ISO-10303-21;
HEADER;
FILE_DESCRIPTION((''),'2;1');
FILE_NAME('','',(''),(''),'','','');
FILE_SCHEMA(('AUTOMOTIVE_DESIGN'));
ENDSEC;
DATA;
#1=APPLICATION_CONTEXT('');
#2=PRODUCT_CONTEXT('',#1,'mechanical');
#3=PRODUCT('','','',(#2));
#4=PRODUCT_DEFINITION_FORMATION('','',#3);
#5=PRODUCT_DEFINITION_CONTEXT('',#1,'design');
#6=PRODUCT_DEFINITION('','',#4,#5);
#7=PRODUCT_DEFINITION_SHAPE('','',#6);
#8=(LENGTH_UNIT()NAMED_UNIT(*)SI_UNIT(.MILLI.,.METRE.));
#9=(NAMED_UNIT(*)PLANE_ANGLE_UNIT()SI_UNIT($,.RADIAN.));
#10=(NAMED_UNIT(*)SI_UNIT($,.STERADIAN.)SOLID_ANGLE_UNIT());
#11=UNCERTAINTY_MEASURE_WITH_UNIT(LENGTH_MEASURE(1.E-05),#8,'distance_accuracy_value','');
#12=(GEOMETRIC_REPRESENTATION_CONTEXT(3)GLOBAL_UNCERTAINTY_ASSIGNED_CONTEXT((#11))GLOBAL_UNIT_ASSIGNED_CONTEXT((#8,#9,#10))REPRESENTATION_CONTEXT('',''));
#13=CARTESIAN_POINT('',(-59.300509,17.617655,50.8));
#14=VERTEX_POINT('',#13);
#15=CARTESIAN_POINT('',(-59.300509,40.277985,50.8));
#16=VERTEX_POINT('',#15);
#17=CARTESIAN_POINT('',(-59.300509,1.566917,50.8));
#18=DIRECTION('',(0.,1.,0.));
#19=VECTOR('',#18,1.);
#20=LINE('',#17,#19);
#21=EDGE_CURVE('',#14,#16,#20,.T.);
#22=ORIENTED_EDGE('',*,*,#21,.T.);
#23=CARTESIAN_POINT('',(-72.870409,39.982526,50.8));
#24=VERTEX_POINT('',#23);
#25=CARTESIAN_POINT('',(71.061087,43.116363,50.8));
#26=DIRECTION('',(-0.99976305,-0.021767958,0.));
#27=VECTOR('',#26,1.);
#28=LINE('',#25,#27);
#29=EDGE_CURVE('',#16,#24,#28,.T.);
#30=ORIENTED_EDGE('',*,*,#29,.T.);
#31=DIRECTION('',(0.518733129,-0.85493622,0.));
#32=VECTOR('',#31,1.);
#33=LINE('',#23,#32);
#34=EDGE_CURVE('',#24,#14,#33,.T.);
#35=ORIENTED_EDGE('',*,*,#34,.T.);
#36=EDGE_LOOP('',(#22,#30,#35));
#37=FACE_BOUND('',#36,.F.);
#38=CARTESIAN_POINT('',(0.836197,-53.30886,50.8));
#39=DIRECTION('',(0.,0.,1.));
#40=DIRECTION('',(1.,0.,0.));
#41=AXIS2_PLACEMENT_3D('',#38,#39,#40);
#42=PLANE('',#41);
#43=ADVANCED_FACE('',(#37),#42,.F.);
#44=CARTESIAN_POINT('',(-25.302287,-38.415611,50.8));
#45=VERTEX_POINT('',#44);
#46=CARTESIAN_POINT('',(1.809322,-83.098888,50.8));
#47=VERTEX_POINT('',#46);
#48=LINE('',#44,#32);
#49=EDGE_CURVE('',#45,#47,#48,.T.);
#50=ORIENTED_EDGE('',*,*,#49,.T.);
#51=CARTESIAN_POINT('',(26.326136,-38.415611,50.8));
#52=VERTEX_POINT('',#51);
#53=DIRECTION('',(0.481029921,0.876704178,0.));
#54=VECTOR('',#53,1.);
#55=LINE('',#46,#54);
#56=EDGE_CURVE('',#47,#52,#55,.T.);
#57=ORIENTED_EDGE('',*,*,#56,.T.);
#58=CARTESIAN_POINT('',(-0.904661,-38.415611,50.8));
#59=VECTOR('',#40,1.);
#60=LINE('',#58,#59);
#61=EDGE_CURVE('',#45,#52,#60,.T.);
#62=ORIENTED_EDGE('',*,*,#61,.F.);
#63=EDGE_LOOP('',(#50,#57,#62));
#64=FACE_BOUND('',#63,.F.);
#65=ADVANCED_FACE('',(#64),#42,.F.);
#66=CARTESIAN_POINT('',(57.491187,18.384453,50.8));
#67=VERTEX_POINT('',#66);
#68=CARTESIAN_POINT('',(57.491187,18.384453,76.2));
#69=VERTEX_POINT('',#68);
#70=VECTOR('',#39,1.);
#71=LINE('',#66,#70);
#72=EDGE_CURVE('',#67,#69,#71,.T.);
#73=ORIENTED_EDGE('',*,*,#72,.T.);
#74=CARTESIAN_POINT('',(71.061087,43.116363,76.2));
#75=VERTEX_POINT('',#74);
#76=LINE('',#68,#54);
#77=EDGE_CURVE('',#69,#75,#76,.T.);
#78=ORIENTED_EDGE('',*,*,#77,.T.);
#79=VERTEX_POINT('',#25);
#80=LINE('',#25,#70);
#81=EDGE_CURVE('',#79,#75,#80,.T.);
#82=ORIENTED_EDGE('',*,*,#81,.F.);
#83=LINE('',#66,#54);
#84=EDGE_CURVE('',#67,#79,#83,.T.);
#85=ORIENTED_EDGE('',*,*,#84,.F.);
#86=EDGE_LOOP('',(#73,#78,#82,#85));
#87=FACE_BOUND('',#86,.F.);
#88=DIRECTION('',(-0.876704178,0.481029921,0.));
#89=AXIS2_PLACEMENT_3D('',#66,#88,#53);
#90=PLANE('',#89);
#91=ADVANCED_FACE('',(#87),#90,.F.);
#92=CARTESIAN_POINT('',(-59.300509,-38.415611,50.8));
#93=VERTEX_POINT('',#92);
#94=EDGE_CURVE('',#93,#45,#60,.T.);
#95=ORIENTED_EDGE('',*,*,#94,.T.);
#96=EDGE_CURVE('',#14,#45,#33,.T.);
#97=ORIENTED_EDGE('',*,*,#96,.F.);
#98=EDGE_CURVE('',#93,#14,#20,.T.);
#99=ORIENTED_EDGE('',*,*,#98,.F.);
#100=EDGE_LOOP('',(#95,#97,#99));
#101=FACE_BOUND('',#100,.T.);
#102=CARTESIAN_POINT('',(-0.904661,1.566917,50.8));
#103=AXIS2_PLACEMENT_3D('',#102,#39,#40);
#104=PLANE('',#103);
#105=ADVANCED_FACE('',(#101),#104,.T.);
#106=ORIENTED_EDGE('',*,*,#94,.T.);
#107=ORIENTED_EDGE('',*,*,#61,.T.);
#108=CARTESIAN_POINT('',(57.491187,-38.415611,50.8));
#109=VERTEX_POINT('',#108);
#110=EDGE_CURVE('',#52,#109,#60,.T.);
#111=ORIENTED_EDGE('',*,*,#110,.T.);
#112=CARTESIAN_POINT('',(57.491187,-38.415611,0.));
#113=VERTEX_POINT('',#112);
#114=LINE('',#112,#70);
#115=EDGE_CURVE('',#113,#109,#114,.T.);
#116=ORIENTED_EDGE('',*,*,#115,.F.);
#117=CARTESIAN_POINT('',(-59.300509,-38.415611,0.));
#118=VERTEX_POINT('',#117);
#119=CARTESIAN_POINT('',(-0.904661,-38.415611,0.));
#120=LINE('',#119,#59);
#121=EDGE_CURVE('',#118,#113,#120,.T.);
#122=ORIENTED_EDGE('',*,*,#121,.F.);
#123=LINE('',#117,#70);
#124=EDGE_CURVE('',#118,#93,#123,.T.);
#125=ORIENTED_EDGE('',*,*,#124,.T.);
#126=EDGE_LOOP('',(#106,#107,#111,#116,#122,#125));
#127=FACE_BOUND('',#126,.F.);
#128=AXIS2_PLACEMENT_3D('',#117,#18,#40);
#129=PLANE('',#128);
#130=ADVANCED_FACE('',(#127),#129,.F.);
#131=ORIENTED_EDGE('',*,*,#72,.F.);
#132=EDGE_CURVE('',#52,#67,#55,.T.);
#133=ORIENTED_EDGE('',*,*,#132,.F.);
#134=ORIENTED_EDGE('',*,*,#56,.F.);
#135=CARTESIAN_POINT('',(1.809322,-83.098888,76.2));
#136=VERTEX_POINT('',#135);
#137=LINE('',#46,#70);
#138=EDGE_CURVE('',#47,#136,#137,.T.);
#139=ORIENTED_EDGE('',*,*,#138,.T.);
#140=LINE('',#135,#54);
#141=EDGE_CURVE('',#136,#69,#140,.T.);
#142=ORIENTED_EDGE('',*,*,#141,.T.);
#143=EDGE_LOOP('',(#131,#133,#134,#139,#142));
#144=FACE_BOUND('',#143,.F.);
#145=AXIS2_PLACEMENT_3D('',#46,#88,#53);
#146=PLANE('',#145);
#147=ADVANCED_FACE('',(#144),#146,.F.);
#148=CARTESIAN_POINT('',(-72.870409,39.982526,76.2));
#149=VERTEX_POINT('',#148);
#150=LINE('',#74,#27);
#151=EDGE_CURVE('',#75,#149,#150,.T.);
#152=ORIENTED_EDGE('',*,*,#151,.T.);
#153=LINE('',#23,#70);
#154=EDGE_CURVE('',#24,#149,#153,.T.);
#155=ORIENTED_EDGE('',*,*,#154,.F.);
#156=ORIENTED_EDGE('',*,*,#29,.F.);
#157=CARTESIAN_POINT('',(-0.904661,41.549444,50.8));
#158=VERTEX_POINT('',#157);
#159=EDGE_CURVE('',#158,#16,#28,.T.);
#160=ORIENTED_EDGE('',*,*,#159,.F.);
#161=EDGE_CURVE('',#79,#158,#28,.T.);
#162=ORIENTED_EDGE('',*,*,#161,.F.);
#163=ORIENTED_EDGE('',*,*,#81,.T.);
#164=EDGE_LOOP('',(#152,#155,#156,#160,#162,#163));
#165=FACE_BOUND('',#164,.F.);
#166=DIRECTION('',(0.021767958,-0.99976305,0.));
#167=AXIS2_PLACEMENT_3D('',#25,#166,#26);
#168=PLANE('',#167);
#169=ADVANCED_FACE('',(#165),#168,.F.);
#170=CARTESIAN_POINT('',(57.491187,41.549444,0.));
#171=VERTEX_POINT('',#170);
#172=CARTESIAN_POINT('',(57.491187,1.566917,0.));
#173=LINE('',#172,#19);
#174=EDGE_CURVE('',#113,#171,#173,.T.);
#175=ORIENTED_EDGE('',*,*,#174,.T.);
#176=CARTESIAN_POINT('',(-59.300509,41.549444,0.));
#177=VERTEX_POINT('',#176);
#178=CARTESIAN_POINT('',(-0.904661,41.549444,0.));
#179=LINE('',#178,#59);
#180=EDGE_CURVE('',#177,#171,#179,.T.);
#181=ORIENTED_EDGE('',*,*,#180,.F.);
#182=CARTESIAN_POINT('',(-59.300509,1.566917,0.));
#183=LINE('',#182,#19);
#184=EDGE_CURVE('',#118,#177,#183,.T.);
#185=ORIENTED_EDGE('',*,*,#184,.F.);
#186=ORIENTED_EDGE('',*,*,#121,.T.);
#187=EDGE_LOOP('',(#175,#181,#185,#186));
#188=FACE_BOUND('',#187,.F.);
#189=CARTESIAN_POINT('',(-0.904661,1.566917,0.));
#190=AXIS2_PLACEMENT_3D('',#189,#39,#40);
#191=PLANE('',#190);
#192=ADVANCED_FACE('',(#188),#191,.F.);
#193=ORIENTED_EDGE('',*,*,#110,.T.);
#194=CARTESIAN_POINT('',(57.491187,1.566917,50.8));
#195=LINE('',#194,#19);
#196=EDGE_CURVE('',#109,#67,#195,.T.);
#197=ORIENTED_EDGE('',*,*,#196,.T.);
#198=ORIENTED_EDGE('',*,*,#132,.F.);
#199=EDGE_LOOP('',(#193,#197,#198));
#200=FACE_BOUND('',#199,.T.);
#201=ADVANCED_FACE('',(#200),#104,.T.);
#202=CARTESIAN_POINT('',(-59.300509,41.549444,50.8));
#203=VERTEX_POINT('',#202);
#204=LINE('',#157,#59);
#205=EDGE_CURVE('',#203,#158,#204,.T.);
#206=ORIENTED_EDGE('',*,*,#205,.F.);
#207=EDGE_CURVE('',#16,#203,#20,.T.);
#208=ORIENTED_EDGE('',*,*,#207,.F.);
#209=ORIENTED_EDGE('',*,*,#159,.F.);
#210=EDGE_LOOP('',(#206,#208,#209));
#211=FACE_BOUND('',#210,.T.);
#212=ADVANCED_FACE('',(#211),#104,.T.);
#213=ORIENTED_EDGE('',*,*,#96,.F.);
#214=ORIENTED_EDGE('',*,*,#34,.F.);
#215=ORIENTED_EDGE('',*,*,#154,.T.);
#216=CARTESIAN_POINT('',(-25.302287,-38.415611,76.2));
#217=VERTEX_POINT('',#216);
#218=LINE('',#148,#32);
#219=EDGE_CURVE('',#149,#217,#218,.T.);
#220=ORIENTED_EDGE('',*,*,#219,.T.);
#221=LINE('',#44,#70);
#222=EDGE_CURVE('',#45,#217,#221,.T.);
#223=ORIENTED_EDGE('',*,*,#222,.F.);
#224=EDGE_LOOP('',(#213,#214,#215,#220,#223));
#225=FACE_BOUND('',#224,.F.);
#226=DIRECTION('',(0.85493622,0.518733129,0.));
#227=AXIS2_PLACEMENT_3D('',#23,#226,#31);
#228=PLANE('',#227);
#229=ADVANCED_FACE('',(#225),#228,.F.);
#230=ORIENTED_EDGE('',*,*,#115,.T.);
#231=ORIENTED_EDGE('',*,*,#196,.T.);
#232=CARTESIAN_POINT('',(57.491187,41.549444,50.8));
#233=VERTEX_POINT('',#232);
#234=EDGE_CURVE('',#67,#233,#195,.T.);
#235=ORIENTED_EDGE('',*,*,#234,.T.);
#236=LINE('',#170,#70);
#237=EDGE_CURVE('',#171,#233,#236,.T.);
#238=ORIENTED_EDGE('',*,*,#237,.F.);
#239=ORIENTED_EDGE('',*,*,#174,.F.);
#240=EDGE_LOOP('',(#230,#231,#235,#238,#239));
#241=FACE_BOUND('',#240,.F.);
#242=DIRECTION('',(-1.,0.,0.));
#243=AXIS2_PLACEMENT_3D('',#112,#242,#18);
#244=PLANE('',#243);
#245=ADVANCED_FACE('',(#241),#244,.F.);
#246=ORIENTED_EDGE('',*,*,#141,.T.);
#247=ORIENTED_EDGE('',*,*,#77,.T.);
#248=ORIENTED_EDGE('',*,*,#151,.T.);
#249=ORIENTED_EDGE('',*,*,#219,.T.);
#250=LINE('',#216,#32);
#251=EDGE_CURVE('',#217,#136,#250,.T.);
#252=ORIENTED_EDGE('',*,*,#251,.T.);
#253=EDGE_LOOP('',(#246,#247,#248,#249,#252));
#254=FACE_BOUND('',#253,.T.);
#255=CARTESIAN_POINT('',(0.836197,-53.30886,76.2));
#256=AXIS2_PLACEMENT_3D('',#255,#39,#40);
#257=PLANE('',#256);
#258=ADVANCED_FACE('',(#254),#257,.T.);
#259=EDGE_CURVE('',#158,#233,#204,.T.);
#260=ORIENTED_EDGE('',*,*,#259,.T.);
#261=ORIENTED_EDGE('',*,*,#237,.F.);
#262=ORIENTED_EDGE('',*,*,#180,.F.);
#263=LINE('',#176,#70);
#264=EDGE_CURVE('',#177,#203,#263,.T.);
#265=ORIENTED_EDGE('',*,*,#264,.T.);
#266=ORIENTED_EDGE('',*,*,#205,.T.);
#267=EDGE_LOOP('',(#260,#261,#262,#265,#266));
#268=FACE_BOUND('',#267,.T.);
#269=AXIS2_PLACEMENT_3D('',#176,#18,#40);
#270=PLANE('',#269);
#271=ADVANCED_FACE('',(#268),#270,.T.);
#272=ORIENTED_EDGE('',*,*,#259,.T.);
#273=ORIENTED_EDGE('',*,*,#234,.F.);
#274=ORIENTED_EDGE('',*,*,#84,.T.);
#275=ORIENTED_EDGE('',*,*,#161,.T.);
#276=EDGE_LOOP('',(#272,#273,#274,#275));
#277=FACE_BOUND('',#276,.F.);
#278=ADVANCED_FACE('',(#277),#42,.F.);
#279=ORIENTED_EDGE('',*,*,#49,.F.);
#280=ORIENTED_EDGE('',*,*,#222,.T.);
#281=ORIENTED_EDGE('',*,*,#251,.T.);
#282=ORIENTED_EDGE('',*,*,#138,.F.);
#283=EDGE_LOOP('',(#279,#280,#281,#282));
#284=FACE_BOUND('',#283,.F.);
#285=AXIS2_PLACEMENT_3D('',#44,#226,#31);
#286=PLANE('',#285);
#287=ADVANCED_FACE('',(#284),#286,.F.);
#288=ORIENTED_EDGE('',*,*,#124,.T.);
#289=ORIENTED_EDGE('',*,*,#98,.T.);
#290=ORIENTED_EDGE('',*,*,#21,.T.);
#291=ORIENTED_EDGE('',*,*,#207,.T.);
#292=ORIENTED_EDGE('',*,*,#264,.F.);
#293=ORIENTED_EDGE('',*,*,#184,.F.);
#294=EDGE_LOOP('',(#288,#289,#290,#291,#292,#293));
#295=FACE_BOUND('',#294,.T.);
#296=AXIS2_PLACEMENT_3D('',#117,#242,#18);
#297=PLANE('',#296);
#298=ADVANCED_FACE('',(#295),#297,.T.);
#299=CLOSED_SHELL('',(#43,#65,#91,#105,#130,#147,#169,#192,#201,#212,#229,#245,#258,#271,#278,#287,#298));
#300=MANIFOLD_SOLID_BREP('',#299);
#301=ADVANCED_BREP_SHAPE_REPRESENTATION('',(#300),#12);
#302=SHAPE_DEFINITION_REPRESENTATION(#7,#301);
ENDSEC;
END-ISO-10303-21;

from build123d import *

# Parameters (mm, degrees)
F0_W     = 116.791695822
F0_H     = 79.9650549889
F1_DEPTH = 50.8
F3_DEPTH = 25.4


with BuildPart() as f1:
    # F0 (on Top) → F1 (new body)
    with BuildSketch(Plane.XY):
        with Locations((-0.9046609048, 1.5669167042)):
            Rectangle(F0_W, F0_H)
    extrude(amount=F1_DEPTH)

    # F2 (on face) → F3 (join)
    with BuildSketch(Plane.XY.offset(50.8)):
        Polygon((26.3261360564, -38.4156107903), (-25.3022870765, -38.4156107903), (1.8093218096, -83.0988883972), align=None)
        Polygon((-0.9046609047, 41.5494441986), (-59.3005088158, 40.2779845768), (-59.3005088158, 17.6176547568), (-25.3022870765, -38.4156107903), (26.3261360564, -38.4156107903), (57.4911870062, 18.3844534107), (57.4911870062, 41.5494441986), align=None)
        Polygon((71.0610874735, 43.1163628493), (-0.9046609047, 41.5494441986), (57.4911870062, 41.5494441986), (57.4911870062, 18.3844534107), align=None)
        Polygon((-59.3005088158, 40.2779845768), (-72.870409283, 39.9825255479), (-59.3005088158, 17.6176547568), align=None)
    extrude(amount=F3_DEPTH)


solid = f1.part
